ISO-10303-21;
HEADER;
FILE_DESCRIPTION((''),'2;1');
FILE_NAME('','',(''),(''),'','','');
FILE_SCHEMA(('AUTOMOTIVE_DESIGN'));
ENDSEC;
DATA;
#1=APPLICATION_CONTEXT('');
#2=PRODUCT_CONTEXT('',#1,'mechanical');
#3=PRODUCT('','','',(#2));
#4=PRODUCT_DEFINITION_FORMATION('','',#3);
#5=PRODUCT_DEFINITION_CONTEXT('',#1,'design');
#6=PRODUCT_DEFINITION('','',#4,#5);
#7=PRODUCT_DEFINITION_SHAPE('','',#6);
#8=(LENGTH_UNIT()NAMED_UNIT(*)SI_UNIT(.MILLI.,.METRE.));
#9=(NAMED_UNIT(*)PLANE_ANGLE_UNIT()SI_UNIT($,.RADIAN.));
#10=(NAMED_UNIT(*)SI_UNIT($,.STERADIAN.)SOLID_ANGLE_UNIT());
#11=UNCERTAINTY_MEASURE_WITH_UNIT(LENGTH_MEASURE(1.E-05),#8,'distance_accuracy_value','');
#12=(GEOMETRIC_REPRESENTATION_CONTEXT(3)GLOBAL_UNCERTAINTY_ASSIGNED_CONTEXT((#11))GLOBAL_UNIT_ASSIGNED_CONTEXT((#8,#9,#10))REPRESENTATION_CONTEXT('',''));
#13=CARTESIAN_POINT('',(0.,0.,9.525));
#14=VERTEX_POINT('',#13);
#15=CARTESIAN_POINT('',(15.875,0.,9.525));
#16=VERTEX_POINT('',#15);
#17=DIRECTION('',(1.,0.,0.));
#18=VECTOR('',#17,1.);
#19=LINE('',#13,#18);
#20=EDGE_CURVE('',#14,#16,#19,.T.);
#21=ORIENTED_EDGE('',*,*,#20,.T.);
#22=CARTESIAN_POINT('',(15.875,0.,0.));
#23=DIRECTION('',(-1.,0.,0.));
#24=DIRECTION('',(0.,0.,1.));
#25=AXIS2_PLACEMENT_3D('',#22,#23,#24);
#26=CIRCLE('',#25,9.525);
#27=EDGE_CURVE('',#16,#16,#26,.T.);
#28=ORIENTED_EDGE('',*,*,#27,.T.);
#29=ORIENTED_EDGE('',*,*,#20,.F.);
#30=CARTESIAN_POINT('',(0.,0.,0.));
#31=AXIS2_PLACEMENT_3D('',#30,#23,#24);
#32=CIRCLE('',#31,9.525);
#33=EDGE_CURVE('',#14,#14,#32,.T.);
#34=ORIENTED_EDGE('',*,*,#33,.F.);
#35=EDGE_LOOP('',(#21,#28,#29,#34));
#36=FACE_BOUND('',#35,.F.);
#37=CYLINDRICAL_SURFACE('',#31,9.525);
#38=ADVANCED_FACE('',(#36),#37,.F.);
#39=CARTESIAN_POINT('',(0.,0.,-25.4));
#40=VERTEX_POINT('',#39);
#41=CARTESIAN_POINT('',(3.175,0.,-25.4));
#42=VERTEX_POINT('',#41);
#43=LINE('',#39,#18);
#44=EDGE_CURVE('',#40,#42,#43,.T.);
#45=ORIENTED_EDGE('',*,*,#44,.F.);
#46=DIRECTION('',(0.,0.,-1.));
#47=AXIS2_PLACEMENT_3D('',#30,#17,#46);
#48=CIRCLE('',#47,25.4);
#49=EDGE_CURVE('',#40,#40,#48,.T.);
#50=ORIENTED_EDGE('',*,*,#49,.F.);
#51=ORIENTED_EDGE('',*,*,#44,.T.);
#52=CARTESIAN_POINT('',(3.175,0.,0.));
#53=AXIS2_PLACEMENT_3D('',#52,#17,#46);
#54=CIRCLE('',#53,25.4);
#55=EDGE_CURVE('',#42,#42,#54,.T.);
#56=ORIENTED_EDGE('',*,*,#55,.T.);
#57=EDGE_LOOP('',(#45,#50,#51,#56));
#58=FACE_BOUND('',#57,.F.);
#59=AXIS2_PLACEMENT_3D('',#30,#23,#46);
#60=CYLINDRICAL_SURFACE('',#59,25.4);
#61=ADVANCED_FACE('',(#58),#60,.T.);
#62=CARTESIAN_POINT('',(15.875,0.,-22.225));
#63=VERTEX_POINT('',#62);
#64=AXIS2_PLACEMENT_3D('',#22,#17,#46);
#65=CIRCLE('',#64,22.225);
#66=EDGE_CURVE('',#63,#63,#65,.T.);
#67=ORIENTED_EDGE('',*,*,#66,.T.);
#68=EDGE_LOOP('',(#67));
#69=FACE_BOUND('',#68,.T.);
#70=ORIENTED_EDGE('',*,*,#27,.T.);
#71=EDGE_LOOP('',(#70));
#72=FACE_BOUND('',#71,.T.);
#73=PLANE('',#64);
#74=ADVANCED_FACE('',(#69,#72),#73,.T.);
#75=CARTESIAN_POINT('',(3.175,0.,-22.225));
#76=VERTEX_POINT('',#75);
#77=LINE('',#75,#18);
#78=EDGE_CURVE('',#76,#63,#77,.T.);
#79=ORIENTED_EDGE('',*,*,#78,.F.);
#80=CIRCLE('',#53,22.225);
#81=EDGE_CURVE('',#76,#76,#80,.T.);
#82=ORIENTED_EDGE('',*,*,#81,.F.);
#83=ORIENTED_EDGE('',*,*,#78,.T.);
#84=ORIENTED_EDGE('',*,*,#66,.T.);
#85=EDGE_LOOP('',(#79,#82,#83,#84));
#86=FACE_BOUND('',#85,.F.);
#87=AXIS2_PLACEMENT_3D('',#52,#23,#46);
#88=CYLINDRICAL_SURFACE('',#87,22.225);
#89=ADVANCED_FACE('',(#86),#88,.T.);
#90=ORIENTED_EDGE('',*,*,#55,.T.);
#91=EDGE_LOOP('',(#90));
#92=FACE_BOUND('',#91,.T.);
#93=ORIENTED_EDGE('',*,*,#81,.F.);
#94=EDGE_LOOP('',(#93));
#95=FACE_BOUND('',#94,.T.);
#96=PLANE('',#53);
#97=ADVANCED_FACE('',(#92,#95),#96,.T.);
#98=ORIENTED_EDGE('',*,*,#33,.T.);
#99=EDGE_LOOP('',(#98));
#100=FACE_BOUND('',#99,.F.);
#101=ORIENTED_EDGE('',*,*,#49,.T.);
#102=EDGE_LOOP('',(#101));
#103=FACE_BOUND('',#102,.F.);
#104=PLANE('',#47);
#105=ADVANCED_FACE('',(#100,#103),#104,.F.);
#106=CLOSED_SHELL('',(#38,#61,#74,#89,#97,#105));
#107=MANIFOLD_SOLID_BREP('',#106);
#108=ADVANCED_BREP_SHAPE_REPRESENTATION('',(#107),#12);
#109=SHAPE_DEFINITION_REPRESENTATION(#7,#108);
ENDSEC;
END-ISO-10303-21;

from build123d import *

# Parameters (mm, degrees)
SKETCH1_R           = 25.4
BOSS_EXTRUDE1_DEPTH = 3.175
SKETCH2_R           = 22.225
BOSS_EXTRUDE2_DEPTH = 12.7
SKETCH3_R           = 9.525
CUT_EXTRUDE1_DEPTH  = 16.875


with BuildPart() as part:
    # Sketch1 → Boss-Extrude1 (new body)
    with BuildSketch(Plane(origin=(0, 0, 0), x_dir=(0, 0, -1), z_dir=(1, 0, 0))):
        Circle(SKETCH1_R)
    extrude(amount=BOSS_EXTRUDE1_DEPTH)

    # Sketch2 → Boss-Extrude2 (add)
    with BuildSketch(Plane(origin=(3.175, 0, 0), x_dir=(0, 0, -1), z_dir=(1, 0, 0))):
        Circle(SKETCH2_R)
    extrude(amount=BOSS_EXTRUDE2_DEPTH)

    # Sketch3 → Cut-Extrude1 (cut, through all)
    with BuildSketch(Plane.ZY):
        Circle(SKETCH3_R)
    extrude(amount=-CUT_EXTRUDE1_DEPTH, mode=Mode.SUBTRACT)


solid = part.part
